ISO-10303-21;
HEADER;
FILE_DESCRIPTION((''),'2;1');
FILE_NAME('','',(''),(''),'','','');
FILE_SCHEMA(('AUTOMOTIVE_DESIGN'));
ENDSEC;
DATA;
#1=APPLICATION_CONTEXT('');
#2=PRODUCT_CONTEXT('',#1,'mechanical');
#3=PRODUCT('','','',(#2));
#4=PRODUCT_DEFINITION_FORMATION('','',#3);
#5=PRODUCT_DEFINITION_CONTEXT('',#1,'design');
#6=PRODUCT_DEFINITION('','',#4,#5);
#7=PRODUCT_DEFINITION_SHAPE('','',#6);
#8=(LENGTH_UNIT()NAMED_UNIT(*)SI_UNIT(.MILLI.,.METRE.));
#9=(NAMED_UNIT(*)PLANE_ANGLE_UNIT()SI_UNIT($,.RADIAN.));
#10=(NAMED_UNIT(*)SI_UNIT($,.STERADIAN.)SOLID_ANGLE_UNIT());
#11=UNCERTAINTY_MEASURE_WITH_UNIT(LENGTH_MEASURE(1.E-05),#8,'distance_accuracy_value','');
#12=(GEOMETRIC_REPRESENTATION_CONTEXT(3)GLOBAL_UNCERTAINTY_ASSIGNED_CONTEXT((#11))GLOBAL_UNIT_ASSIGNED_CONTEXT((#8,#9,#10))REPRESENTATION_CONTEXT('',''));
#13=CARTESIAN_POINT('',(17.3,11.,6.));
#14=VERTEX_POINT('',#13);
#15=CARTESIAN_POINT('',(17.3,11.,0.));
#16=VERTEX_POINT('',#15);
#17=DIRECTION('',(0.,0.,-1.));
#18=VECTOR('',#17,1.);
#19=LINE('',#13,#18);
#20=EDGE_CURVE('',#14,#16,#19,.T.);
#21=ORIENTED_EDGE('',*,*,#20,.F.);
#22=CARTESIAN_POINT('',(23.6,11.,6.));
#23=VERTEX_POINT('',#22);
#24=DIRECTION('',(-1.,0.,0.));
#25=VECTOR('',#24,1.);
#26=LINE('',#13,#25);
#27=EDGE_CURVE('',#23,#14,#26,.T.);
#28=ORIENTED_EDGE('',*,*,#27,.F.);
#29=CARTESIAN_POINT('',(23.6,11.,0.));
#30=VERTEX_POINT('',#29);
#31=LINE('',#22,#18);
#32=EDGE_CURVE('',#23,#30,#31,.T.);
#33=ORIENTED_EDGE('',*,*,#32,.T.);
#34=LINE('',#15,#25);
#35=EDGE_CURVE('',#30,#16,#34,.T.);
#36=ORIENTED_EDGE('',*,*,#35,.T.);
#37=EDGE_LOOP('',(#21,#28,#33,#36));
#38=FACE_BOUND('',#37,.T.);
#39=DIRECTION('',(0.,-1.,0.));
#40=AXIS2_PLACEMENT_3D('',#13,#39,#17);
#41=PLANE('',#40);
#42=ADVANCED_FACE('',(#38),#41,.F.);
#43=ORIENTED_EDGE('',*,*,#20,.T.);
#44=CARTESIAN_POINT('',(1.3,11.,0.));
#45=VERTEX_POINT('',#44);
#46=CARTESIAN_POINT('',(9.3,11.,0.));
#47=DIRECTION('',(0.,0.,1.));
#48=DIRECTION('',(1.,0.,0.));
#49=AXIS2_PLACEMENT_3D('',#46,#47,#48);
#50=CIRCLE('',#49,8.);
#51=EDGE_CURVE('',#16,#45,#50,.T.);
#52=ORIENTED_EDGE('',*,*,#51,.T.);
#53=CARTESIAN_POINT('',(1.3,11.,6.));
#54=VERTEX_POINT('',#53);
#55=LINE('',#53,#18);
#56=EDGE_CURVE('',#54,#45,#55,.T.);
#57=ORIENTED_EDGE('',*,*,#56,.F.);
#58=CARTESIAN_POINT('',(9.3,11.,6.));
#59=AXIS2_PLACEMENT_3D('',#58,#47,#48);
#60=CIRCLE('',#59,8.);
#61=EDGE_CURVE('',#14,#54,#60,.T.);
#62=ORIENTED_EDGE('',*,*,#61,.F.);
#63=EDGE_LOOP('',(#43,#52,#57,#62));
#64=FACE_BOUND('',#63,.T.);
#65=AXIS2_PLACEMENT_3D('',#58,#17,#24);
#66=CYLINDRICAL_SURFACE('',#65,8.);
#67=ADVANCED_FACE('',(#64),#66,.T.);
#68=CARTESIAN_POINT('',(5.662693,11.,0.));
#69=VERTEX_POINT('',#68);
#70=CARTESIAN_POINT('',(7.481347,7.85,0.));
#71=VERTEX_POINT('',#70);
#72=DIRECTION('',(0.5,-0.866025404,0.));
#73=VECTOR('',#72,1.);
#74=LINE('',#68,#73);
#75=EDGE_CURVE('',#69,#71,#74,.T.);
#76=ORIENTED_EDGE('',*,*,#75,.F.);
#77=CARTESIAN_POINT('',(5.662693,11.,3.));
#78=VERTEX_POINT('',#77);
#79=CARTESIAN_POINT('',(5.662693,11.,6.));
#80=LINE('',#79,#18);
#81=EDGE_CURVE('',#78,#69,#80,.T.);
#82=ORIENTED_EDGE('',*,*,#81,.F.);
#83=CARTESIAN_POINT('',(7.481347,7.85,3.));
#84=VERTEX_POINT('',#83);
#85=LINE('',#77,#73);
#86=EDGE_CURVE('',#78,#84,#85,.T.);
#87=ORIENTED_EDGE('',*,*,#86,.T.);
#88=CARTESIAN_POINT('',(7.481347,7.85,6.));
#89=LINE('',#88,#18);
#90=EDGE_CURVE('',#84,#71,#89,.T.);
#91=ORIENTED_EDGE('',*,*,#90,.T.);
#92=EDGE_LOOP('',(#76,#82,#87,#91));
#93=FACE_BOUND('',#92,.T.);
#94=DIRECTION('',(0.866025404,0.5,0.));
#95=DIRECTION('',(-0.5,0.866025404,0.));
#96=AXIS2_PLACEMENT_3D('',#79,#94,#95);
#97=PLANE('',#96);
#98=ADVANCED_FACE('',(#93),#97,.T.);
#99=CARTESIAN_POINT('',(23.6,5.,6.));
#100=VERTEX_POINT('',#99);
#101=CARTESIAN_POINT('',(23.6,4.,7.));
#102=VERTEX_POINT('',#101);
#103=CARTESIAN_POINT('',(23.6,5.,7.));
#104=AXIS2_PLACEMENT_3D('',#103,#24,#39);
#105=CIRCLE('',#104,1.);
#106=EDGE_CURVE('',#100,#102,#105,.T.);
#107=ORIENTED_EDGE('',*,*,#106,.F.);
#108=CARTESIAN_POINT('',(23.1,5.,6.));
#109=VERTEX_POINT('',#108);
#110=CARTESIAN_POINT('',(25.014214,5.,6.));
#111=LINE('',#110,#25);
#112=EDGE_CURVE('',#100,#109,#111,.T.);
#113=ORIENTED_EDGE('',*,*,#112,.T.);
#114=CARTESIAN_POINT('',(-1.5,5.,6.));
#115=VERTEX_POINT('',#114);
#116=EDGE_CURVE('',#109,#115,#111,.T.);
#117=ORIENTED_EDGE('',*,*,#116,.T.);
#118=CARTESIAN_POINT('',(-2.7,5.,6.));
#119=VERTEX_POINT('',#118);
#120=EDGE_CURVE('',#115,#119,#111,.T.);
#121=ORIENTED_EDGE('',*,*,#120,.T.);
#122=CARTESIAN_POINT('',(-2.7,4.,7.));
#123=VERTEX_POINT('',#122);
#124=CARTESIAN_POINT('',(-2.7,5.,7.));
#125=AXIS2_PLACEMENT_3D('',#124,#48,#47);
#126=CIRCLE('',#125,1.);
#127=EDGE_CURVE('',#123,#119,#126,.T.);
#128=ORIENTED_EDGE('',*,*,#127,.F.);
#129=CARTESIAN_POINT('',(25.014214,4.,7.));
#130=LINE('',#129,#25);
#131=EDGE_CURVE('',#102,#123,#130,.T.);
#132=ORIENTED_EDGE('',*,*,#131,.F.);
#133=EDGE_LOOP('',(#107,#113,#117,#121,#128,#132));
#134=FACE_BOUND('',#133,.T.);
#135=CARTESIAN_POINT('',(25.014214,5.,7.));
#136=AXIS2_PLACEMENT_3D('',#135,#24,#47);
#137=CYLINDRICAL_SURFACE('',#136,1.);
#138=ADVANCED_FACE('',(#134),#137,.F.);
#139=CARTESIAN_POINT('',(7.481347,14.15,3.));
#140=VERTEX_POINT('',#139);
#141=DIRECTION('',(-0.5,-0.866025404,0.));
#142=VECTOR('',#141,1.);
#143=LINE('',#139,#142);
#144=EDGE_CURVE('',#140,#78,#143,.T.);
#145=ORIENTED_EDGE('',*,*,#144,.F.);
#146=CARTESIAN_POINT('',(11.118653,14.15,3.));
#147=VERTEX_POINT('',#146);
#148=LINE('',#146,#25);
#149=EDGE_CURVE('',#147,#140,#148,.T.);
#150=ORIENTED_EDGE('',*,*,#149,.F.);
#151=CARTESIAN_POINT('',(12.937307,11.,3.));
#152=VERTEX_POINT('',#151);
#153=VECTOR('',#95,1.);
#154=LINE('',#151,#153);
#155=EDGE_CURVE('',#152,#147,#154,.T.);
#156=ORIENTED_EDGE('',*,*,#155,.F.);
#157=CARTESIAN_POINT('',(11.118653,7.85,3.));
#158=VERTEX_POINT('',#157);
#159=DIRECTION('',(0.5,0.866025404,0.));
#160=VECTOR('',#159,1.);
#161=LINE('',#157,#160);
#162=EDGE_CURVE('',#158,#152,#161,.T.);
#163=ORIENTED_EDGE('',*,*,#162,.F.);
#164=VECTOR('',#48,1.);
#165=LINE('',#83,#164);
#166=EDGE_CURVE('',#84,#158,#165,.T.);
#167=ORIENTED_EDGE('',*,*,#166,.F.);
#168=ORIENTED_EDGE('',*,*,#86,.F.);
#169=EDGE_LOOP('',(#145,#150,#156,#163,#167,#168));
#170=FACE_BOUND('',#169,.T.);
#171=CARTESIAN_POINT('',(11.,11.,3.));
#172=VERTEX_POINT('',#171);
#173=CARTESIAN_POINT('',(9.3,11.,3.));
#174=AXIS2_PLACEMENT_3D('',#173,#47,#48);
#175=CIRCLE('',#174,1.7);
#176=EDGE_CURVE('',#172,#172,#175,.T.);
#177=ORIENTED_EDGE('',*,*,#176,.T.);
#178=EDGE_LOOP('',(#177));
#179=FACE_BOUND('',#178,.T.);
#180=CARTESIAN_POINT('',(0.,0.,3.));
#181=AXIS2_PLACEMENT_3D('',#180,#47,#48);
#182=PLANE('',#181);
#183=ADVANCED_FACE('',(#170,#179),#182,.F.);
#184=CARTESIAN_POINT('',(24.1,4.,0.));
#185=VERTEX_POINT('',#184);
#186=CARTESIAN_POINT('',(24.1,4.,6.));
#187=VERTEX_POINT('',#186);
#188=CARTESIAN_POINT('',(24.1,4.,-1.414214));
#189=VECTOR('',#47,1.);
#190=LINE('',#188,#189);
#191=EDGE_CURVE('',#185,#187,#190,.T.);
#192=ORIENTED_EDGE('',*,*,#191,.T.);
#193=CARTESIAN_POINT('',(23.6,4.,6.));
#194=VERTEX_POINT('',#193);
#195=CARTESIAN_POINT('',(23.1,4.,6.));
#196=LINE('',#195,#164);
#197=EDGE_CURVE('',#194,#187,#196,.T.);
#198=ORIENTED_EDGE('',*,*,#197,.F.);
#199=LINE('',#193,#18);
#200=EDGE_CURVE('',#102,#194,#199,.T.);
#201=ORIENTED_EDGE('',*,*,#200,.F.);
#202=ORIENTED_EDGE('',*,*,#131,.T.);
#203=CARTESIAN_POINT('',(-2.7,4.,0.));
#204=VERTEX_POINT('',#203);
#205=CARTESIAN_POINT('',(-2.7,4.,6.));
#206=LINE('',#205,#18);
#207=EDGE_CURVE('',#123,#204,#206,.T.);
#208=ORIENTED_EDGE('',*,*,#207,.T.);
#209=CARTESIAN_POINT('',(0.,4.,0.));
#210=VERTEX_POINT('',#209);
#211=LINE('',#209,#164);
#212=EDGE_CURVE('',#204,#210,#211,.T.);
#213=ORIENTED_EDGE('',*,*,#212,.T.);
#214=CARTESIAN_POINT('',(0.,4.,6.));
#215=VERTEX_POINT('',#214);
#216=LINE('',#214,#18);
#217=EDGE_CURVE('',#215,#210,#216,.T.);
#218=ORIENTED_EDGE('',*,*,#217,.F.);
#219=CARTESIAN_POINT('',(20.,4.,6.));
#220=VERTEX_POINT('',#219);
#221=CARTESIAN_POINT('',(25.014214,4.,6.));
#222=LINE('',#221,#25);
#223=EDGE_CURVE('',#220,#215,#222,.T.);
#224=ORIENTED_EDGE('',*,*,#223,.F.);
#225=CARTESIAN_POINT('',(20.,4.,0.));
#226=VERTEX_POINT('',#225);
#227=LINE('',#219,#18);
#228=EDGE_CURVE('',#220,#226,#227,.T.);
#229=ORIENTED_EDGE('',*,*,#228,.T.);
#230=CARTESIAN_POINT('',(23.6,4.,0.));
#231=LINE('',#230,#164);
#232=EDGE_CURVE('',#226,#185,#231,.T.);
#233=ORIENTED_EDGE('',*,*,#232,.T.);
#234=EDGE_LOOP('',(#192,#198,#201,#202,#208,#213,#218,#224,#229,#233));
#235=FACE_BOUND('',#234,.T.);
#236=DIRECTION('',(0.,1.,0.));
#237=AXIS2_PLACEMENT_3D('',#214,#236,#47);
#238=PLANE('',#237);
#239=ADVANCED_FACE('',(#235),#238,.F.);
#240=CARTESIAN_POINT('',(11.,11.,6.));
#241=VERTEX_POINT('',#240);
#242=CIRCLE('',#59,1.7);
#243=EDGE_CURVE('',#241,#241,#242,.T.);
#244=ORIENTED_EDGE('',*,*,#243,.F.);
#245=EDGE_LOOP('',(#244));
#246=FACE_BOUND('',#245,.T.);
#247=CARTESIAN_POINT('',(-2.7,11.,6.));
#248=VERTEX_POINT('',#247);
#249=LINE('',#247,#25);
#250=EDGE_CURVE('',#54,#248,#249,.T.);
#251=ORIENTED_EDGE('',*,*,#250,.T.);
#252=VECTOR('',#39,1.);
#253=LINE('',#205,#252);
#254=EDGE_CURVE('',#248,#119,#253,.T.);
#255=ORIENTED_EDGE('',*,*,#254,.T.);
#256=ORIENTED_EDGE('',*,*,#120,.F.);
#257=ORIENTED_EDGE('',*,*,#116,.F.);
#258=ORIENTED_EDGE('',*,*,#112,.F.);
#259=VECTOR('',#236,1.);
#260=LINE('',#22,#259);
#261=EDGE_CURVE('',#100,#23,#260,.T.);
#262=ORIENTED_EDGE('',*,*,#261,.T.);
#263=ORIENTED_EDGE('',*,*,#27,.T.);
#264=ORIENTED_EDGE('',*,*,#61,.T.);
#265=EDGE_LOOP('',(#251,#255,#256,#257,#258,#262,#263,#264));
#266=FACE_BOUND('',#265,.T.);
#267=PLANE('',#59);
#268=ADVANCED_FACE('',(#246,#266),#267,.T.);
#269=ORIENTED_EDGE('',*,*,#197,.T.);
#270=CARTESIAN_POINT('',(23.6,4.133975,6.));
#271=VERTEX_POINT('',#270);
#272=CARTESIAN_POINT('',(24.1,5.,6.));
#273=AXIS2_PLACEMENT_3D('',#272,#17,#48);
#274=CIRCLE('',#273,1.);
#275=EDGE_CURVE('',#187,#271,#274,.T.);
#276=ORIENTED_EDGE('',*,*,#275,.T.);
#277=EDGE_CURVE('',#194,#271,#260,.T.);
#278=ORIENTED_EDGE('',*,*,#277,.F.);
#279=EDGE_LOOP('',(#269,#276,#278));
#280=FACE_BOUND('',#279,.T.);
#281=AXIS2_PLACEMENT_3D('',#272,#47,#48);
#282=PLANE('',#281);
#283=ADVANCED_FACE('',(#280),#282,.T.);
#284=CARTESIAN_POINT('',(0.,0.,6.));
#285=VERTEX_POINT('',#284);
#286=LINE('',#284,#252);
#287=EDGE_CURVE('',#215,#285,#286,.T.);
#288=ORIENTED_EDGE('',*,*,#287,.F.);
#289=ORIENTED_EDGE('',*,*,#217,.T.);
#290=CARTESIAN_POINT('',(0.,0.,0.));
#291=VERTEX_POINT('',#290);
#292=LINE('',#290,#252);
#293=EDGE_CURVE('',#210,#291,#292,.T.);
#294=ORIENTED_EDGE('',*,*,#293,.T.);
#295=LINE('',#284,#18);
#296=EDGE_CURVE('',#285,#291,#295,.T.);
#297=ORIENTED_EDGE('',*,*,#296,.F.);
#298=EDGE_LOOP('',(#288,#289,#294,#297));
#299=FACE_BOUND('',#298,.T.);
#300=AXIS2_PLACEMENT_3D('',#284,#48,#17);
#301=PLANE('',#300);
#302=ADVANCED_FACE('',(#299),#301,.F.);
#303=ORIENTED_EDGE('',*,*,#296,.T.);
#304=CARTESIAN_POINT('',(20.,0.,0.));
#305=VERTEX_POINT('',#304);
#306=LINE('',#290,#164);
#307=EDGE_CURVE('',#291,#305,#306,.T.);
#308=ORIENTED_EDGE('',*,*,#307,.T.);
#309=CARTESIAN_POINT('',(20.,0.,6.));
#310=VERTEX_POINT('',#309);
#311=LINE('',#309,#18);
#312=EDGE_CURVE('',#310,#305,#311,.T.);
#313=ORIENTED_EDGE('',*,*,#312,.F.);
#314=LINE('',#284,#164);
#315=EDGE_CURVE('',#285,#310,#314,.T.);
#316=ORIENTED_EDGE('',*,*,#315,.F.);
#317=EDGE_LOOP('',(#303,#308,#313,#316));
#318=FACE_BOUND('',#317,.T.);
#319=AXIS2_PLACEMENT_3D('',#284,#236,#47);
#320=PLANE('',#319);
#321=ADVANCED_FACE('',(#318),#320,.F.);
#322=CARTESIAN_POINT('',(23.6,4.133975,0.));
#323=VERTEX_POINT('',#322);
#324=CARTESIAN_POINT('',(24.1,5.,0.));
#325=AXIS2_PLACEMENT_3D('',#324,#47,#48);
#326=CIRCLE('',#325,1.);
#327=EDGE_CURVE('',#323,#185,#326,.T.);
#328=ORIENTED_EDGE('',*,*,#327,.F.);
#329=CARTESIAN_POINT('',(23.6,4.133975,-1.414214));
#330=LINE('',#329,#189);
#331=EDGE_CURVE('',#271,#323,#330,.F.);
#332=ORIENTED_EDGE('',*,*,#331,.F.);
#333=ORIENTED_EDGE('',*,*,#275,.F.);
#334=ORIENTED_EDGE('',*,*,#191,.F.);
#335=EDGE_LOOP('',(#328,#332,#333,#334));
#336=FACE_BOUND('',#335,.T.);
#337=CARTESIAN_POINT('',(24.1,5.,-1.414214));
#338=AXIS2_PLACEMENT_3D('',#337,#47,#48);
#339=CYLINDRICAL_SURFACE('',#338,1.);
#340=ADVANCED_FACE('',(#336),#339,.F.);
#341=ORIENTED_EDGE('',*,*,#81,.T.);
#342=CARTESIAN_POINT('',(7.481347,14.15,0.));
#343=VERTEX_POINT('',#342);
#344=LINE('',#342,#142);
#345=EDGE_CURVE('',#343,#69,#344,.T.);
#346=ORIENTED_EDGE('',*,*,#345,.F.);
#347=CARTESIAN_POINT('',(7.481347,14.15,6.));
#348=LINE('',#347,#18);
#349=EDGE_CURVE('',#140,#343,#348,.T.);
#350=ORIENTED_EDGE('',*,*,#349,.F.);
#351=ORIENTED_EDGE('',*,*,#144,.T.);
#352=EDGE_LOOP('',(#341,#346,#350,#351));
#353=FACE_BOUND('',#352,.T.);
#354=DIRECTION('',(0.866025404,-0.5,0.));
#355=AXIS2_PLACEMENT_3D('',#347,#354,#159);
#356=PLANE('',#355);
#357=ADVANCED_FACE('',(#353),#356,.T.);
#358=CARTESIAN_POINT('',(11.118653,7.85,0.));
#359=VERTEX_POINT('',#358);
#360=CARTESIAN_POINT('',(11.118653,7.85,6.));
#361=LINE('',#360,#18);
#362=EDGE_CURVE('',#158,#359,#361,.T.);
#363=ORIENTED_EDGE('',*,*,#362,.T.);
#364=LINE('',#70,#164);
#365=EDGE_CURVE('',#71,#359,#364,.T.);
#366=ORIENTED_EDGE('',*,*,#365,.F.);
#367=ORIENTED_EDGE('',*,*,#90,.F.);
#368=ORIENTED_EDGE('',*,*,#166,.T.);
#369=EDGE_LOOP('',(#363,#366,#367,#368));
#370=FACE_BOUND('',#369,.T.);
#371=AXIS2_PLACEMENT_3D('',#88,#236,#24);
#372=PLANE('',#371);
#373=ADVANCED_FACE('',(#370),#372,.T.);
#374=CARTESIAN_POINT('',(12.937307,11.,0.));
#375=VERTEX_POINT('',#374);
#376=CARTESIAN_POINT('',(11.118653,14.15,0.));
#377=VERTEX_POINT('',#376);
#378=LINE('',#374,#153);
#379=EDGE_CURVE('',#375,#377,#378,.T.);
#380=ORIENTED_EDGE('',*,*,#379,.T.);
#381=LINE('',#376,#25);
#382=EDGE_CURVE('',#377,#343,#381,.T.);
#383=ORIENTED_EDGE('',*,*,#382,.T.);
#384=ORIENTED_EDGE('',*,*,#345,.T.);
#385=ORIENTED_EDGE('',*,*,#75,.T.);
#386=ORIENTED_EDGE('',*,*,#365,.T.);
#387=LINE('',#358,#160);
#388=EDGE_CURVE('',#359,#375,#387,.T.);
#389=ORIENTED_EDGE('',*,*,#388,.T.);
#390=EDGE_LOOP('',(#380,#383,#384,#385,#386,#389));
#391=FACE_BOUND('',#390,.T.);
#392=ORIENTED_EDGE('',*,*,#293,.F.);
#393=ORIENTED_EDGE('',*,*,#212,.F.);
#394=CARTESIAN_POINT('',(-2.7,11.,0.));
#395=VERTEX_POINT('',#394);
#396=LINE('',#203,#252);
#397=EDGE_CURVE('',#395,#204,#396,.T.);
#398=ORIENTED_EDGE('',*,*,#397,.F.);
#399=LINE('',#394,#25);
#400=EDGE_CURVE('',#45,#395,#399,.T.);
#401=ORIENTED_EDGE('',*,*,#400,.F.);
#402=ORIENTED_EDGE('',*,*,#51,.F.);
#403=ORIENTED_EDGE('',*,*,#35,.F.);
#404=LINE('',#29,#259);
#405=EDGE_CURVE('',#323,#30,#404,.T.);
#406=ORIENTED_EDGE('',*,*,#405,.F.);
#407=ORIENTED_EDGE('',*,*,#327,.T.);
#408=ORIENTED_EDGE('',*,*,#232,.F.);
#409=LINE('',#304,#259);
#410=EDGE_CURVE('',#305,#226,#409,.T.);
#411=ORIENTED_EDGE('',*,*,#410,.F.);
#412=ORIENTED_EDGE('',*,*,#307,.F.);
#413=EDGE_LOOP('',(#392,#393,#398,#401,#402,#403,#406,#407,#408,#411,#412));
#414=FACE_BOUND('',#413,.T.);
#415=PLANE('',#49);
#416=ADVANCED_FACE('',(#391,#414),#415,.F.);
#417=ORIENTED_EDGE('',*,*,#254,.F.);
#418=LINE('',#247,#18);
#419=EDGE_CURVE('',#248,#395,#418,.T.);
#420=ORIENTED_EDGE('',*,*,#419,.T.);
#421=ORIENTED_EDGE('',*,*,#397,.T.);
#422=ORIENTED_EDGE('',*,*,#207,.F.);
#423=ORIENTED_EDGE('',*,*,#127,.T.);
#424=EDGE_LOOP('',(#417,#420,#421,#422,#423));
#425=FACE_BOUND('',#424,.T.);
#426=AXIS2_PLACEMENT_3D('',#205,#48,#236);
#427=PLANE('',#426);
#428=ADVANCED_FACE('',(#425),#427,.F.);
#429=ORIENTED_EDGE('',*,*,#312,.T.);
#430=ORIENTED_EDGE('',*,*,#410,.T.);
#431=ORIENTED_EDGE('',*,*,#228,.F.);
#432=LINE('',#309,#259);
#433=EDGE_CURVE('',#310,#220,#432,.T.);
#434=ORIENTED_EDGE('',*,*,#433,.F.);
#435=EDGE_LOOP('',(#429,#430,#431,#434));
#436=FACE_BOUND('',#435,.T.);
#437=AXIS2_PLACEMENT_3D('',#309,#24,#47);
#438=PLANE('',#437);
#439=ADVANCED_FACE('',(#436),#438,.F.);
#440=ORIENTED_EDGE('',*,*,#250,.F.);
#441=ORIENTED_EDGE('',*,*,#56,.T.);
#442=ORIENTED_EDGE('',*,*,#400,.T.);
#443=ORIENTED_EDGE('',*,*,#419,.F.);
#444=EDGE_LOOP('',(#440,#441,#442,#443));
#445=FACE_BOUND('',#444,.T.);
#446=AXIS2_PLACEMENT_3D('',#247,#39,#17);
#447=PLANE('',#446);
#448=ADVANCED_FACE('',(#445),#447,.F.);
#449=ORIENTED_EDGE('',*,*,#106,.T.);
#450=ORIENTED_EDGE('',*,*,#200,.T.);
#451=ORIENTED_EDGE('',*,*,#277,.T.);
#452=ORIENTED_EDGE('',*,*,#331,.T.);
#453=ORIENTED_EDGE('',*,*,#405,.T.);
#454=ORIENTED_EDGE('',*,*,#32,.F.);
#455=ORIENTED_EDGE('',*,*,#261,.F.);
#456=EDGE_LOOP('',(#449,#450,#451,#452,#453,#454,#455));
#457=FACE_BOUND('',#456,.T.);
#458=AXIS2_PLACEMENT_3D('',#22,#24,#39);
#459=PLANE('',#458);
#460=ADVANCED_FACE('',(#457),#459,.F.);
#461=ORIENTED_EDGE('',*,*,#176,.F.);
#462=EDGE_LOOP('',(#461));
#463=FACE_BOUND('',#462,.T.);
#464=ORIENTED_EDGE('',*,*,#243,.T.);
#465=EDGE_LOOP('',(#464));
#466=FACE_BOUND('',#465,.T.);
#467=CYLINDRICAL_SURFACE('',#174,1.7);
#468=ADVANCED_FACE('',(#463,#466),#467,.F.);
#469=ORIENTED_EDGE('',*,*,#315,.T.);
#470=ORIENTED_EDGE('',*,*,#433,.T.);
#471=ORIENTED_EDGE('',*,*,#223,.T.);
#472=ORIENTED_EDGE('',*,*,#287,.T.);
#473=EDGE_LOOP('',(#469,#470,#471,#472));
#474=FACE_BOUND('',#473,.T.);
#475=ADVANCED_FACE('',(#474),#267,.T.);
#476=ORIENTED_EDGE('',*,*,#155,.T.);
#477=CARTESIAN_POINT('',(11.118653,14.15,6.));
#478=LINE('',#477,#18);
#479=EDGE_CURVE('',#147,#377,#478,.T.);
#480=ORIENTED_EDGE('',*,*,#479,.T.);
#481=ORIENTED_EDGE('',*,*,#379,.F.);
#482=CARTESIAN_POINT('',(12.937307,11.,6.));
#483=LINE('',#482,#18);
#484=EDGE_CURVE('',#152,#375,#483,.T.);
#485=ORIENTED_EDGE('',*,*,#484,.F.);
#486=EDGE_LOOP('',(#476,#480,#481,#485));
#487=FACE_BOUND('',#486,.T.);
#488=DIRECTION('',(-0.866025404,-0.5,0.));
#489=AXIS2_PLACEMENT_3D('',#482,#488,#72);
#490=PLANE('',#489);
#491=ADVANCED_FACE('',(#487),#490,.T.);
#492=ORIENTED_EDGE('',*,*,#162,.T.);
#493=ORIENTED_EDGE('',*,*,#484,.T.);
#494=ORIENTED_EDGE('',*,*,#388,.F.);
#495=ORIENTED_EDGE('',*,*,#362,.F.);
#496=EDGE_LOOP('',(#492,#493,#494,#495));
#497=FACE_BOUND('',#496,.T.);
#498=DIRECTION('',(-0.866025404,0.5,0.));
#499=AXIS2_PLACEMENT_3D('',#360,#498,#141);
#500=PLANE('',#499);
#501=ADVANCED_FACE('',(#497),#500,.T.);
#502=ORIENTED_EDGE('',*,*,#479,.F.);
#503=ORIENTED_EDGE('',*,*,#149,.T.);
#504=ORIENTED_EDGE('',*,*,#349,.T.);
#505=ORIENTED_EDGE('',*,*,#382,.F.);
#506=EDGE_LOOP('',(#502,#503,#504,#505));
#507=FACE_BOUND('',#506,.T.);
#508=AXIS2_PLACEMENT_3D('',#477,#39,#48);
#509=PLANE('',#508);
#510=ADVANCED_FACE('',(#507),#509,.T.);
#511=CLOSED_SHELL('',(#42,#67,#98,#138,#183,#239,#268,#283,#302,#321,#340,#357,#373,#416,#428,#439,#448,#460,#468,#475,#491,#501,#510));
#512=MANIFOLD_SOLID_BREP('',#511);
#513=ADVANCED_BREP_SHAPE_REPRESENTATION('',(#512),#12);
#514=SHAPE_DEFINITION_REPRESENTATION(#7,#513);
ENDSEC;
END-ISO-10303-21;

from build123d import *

# Parameters (mm, degrees)
BOSS_EXTRUDE1_DEPTH = 6
BOSS_EXTRUDE2_DEPTH = 26.3
BOSS_EXTRUDE3_DEPTH = 6
SKETCH8_R           = 1.7
BOSS_EXTRUDE4_DEPTH = 3


with BuildPart() as part:
    # Sketch1 → Boss-Extrude1 (new body)
    with BuildSketch(Plane.XY):
        with BuildLine():
            Line((0, 0), (20, 0))
            Line((20, 0), (20, 4))
            Line((20, 4), (23.6, 4))
            Line((23.6, 4), (23.6, 11))
            Line((23.6, 11), (17.3, 11))
            ThreePointArc((17.3, 11), (9.3, 19), (1.3, 11))
            Line((1.3, 11), (-2.7, 11))
            Line((-2.7, 11), (-2.7, 4))
            Line((-2.7, 4), (0, 4))
            Line((0, 4), (0, 0))
        make_face()
        Polygon((11.118653348, 14.15), (7.481346652, 14.15), (5.662693304, 11), (7.481346652, 7.85), (11.118653348, 7.85), (12.937306696, 11), align=None, mode=Mode.SUBTRACT)
    extrude(amount=BOSS_EXTRUDE1_DEPTH)

    # Sketch2 → Boss-Extrude2 (add)
    with BuildSketch(Plane.ZY.offset(2.7)):
        with BuildLine():
            Line((6, 4), (6, 5))
            ThreePointArc((6, 5), (6.292893219, 4.292893219), (7, 4))
            Line((7, 4), (6, 4))
        make_face()
    extrude(amount=-BOSS_EXTRUDE2_DEPTH)

    # Sketch4 → Boss-Extrude3 (add)
    with BuildSketch(Plane.XY.offset(6)):
        with BuildLine():
            Line((23.1, 4), (23.1, 5))
            ThreePointArc((23.1, 5), (23.392893219, 4.292893219), (24.1, 4))
            Line((24.1, 4), (23.1, 4))
        make_face()
        with BuildLine():
            Line((-1.5, 4), (-2.5, 4))
            ThreePointArc((-2.5, 4), (-1.792893219, 4.292893219), (-1.5, 5))
            Line((-1.5, 5), (-1.5, 4))
        make_face()
    extrude(amount=-BOSS_EXTRUDE3_DEPTH)

    # Sketch8 → Boss-Extrude4 (add)
    with BuildSketch(Plane.XY.offset(6)):
        Polygon((7.452479139, 14.2), (5.604958277, 11), (7.452479139, 7.8), (11.147520861, 7.8), (12.995041723, 11), (11.147520861, 14.2), align=None)
        with Locations((9.3, 11)):
            Circle(SKETCH8_R, mode=Mode.SUBTRACT)
    extrude(amount=-BOSS_EXTRUDE4_DEPTH)


solid = part.part
